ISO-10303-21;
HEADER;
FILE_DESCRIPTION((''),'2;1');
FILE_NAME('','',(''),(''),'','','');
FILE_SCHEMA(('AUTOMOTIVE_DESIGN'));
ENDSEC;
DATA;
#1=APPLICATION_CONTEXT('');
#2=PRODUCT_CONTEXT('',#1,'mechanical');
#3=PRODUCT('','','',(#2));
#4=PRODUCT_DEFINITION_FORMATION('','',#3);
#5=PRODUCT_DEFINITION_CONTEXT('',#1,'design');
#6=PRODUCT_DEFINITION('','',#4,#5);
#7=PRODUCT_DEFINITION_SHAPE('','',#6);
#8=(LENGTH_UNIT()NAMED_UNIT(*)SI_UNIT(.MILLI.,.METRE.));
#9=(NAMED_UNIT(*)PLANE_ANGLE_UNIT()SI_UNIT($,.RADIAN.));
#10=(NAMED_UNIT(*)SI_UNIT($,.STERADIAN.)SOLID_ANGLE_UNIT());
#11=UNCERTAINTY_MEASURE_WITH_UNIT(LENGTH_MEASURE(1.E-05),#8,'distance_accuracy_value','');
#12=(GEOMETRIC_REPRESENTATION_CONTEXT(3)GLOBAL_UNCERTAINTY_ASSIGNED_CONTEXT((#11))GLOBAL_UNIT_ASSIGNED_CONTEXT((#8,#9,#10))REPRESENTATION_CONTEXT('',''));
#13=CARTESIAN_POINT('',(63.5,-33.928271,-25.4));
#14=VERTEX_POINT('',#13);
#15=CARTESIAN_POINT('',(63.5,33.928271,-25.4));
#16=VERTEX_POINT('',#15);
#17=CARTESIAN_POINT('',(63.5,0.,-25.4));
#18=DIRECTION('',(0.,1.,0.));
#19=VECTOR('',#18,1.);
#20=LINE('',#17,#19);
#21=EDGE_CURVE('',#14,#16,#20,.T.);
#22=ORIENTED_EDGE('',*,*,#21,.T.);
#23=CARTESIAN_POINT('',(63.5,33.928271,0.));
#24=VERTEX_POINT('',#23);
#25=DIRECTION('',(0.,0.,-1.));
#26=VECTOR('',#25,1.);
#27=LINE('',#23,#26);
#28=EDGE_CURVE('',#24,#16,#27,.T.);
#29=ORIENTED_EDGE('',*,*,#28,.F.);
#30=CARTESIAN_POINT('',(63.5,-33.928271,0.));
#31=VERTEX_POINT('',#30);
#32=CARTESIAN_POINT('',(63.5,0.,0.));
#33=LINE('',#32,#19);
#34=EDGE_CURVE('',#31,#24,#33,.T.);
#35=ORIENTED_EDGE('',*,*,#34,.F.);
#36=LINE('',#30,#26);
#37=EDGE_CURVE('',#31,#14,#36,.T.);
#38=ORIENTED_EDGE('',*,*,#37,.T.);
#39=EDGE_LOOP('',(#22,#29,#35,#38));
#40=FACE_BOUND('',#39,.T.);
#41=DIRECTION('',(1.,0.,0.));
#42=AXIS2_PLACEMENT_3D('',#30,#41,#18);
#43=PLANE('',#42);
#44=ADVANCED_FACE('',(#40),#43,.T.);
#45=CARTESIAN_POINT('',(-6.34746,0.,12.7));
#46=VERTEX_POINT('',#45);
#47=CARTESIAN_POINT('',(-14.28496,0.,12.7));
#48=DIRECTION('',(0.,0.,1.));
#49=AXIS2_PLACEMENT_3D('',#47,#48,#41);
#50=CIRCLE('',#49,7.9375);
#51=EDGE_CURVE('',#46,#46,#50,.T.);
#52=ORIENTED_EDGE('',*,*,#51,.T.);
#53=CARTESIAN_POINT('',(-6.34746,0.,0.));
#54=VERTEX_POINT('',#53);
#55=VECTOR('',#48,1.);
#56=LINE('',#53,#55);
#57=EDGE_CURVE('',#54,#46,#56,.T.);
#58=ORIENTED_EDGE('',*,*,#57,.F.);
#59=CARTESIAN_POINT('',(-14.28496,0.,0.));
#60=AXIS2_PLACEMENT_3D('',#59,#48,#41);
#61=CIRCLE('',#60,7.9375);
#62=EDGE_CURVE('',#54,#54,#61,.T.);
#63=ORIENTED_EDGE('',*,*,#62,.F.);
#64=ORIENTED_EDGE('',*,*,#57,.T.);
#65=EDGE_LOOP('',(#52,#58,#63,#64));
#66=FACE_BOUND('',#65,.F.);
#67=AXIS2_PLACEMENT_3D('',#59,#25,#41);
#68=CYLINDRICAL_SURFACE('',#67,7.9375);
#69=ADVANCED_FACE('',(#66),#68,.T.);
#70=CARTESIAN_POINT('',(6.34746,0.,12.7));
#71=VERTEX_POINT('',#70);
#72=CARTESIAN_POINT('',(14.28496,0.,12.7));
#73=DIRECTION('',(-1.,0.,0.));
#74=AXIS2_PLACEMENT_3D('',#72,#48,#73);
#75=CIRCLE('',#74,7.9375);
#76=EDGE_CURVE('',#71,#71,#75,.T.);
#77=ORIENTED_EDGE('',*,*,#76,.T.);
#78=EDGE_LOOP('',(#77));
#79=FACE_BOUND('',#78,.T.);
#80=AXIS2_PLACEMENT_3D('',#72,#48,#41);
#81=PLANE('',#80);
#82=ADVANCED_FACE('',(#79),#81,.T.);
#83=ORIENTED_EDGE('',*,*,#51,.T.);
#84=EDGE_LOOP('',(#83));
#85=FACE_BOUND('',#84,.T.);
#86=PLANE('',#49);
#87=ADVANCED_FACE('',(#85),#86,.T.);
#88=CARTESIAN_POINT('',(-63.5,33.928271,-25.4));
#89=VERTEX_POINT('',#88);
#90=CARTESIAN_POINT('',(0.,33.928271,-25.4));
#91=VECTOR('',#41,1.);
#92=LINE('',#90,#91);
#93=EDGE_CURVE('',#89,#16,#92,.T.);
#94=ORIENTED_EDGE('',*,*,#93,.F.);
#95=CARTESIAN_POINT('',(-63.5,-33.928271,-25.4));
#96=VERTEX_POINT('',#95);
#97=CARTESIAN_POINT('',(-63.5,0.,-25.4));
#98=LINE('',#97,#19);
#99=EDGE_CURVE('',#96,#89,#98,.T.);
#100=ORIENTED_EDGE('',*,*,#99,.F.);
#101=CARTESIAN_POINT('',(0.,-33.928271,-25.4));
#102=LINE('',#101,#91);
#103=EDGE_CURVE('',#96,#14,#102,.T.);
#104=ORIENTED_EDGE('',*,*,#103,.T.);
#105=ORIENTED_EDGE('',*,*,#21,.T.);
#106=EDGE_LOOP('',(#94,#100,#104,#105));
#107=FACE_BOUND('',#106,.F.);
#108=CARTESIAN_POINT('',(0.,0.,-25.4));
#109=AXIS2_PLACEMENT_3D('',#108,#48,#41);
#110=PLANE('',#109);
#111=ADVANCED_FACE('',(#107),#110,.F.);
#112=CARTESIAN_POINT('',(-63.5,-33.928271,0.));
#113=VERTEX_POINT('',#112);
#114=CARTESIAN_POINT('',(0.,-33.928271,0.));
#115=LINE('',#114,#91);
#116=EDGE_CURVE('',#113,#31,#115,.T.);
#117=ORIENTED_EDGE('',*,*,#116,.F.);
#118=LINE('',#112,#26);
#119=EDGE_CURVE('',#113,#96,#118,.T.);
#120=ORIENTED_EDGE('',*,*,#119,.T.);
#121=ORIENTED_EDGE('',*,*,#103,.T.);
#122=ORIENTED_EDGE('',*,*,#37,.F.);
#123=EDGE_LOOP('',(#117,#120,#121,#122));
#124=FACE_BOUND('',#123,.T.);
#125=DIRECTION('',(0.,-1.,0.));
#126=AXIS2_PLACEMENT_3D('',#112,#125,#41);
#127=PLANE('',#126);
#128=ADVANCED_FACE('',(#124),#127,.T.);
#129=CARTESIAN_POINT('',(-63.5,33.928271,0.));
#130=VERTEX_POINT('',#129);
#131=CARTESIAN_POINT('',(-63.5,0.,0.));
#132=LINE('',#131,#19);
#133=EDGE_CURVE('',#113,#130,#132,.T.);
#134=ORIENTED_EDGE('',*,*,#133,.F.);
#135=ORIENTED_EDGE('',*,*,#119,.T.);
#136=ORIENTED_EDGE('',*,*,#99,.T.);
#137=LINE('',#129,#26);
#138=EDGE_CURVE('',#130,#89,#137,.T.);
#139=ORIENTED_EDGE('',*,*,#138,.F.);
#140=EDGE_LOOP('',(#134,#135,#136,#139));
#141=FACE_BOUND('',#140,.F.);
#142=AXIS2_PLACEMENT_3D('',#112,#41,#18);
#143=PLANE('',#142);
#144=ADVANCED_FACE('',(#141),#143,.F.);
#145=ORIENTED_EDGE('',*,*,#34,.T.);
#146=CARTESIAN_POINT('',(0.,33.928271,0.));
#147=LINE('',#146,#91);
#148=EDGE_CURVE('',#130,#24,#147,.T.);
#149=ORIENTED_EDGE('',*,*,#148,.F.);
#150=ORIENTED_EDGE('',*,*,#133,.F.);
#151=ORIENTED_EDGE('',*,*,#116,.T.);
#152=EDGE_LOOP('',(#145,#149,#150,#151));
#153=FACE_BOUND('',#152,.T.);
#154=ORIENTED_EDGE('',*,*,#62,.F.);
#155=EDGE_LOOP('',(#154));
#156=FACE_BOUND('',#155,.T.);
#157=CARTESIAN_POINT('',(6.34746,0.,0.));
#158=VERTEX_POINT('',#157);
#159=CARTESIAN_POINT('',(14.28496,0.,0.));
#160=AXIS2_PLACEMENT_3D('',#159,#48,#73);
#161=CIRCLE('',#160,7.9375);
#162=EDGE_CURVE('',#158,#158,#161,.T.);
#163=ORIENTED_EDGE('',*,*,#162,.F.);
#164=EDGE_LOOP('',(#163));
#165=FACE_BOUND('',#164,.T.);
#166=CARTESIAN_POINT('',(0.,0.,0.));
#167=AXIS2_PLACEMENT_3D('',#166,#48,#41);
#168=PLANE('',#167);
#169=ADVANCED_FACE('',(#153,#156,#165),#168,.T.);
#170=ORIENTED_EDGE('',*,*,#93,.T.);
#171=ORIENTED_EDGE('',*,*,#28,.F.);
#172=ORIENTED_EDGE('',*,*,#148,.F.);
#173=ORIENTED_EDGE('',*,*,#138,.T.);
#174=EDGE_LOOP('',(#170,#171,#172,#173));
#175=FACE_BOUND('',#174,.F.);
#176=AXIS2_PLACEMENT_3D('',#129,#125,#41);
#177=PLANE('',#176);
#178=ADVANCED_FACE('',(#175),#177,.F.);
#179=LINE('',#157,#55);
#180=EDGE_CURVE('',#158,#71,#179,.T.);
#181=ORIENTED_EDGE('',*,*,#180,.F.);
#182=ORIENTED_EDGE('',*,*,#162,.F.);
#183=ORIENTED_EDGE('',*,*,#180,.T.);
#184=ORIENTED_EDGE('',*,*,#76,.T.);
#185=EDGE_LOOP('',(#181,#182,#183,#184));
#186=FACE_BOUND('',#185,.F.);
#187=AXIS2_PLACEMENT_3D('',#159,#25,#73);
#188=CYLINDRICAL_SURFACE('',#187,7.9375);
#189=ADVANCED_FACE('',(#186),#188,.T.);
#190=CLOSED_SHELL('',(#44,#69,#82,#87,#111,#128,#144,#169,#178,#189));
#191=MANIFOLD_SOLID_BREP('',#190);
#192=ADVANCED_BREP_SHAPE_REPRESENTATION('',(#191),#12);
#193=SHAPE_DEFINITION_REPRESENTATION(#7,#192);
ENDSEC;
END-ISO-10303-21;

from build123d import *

# Parameters (mm, degrees)
F0_W     = 127
F0_H     = 67.856542
F0_R     = 7.9375
F1_DEPTH = 25.4
F2_DEPTH = 12.7


with BuildPart() as f1:
    # F0 (on Top) → F1 (new body)
    with BuildSketch(Plane.XY):
        Rectangle(F0_W, F0_H)
        with Locations((-14.28496, 0)):
            Circle(F0_R, mode=Mode.SUBTRACT)
        with BuildLine():
            ThreePointArc((22.22246, 0), (14.28496, -7.9375), (6.34746, 0))
            ThreePointArc((6.34746, 0), (14.28496, 7.9375), (22.22246, 0))
        make_face(mode=Mode.SUBTRACT)
        with Locations((-14.28496, 0)):
            Circle(F0_R)
        with BuildLine():
            ThreePointArc((22.22246, 0), (14.28496, 7.9375), (6.34746, 0))
            ThreePointArc((6.34746, 0), (14.28496, -7.9375), (22.22246, 0))
        make_face()
    extrude(amount=-F1_DEPTH)

    # F0 (on Top) → F2 (join)
    with BuildSketch(Plane.XY):
        with Locations((-14.28496, 0)):
            Circle(F0_R)
        with BuildLine():
            ThreePointArc((22.22246, 0), (14.28496, 7.9375), (6.34746, 0))
            ThreePointArc((6.34746, 0), (14.28496, -7.9375), (22.22246, 0))
        make_face()
    extrude(amount=F2_DEPTH)


solid = f1.part
